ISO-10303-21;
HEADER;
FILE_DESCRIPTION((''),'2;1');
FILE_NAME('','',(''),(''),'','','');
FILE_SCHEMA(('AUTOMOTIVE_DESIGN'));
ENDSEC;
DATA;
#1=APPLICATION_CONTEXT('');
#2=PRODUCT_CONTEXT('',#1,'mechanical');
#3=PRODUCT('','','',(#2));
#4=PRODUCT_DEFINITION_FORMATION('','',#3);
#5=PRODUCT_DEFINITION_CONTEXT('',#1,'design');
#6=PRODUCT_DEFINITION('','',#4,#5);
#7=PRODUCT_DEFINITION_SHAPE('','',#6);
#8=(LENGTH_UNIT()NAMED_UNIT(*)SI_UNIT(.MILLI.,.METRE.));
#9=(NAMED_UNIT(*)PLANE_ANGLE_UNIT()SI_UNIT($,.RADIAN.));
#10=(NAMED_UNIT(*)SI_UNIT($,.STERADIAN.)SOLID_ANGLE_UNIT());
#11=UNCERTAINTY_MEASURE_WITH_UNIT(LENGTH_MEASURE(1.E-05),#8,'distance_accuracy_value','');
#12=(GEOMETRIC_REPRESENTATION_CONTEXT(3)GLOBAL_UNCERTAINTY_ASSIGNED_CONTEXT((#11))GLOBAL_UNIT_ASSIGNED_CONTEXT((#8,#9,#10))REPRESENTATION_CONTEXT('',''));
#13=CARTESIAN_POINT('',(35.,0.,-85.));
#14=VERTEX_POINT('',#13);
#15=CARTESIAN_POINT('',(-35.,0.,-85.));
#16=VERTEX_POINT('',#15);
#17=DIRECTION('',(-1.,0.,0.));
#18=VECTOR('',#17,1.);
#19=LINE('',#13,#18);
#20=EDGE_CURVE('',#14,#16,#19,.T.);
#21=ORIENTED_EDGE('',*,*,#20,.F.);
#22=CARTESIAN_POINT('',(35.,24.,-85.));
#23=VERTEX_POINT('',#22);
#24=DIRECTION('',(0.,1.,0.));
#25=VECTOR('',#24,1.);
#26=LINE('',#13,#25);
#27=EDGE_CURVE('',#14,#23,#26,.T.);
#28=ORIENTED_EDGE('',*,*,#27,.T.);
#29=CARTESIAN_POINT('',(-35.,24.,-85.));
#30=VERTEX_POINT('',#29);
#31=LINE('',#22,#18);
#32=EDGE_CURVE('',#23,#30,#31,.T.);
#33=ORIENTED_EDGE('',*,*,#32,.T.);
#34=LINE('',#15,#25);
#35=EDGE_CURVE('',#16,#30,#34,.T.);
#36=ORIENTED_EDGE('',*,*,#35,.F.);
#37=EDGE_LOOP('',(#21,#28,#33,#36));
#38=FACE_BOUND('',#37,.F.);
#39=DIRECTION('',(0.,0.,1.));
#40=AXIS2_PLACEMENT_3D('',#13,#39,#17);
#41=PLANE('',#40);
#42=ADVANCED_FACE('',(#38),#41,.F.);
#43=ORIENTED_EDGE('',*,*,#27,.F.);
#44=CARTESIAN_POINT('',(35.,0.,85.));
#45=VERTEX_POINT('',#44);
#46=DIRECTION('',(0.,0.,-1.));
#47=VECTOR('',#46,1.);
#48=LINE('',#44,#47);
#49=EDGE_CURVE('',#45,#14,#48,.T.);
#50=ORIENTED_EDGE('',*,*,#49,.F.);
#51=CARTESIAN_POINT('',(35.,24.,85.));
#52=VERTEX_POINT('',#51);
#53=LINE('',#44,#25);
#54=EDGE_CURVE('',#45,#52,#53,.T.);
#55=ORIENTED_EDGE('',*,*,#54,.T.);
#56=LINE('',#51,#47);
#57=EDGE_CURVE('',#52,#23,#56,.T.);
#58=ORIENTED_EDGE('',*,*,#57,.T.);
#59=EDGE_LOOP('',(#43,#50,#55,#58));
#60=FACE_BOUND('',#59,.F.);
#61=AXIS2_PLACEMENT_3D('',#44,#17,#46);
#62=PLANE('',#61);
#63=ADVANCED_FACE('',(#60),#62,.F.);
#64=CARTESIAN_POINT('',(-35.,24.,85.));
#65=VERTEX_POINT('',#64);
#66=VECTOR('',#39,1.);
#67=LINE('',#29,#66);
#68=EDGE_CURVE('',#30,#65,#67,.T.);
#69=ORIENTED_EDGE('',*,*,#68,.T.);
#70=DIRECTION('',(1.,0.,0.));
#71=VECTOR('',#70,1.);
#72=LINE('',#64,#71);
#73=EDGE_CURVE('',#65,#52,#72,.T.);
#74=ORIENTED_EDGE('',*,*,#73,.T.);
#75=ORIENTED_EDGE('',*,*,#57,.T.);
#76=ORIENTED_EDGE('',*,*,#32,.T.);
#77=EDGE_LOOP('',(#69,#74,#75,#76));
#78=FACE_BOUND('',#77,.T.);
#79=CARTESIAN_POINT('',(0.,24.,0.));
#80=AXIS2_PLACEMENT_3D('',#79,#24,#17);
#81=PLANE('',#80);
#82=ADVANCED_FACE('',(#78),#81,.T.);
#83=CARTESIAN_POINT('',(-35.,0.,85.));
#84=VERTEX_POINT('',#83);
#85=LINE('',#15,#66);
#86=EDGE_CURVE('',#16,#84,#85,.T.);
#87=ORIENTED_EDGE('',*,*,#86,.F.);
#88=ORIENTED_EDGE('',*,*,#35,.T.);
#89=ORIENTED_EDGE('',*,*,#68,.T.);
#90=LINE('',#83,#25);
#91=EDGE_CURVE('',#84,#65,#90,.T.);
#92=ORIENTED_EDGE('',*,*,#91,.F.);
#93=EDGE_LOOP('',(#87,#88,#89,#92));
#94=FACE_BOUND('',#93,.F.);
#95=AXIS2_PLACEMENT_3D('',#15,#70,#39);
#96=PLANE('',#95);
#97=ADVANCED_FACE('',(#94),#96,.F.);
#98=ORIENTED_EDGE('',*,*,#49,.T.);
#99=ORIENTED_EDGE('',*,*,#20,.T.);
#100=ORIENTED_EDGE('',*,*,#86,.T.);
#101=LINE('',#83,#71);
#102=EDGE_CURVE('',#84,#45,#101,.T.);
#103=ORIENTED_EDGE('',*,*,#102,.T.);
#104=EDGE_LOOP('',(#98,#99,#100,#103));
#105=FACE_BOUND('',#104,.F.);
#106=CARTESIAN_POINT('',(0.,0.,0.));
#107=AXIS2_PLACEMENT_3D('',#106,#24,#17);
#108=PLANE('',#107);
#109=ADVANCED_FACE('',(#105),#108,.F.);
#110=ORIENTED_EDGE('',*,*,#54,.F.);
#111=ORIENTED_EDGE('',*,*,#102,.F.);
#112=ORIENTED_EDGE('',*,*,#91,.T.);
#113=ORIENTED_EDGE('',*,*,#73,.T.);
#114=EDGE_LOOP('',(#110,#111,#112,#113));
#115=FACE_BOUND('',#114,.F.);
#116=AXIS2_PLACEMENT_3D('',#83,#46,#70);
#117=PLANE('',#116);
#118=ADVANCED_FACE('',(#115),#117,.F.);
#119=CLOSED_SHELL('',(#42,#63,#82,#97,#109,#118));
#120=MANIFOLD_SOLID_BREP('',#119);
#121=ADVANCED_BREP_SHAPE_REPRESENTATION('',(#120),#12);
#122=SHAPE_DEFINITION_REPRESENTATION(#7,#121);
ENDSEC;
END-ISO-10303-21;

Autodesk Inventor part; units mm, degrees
ref_plane "YZ Plane" through (0, 0, 0) normal (1, 0, 0) x (0, 1, 0)
ref_plane "XZ Plane" through (0, 0, 0) normal (0, 1, 0) x (-1, 0, 0)
ref_plane "XY Plane" through (0, 0, 0) normal (0, 0, 1) x (1, 0, 0)
sketch "Sketch1" plane through (0, 0, 0) normal (0, 1, 0) x (-1, 0, 0)
  line L0 (35, 85) -> (-35, 85)
  line L1 (-35, 85) -> (-35, -85)
  line L2 (-35, -85) -> (35, -85)
  line L3 (35, -85) -> (35, 85)
  line L4 (35, 85) -> (-35, -85) construction
  line L5 (-35, 85) -> (35, -85) construction
  point P0 (0, 0)
  dimension "d0" = 70
  dimension "d1" = 170
extrude "Extrusion1" add sketch "Sketch1" along normal blind 24
properties part number "interior"
